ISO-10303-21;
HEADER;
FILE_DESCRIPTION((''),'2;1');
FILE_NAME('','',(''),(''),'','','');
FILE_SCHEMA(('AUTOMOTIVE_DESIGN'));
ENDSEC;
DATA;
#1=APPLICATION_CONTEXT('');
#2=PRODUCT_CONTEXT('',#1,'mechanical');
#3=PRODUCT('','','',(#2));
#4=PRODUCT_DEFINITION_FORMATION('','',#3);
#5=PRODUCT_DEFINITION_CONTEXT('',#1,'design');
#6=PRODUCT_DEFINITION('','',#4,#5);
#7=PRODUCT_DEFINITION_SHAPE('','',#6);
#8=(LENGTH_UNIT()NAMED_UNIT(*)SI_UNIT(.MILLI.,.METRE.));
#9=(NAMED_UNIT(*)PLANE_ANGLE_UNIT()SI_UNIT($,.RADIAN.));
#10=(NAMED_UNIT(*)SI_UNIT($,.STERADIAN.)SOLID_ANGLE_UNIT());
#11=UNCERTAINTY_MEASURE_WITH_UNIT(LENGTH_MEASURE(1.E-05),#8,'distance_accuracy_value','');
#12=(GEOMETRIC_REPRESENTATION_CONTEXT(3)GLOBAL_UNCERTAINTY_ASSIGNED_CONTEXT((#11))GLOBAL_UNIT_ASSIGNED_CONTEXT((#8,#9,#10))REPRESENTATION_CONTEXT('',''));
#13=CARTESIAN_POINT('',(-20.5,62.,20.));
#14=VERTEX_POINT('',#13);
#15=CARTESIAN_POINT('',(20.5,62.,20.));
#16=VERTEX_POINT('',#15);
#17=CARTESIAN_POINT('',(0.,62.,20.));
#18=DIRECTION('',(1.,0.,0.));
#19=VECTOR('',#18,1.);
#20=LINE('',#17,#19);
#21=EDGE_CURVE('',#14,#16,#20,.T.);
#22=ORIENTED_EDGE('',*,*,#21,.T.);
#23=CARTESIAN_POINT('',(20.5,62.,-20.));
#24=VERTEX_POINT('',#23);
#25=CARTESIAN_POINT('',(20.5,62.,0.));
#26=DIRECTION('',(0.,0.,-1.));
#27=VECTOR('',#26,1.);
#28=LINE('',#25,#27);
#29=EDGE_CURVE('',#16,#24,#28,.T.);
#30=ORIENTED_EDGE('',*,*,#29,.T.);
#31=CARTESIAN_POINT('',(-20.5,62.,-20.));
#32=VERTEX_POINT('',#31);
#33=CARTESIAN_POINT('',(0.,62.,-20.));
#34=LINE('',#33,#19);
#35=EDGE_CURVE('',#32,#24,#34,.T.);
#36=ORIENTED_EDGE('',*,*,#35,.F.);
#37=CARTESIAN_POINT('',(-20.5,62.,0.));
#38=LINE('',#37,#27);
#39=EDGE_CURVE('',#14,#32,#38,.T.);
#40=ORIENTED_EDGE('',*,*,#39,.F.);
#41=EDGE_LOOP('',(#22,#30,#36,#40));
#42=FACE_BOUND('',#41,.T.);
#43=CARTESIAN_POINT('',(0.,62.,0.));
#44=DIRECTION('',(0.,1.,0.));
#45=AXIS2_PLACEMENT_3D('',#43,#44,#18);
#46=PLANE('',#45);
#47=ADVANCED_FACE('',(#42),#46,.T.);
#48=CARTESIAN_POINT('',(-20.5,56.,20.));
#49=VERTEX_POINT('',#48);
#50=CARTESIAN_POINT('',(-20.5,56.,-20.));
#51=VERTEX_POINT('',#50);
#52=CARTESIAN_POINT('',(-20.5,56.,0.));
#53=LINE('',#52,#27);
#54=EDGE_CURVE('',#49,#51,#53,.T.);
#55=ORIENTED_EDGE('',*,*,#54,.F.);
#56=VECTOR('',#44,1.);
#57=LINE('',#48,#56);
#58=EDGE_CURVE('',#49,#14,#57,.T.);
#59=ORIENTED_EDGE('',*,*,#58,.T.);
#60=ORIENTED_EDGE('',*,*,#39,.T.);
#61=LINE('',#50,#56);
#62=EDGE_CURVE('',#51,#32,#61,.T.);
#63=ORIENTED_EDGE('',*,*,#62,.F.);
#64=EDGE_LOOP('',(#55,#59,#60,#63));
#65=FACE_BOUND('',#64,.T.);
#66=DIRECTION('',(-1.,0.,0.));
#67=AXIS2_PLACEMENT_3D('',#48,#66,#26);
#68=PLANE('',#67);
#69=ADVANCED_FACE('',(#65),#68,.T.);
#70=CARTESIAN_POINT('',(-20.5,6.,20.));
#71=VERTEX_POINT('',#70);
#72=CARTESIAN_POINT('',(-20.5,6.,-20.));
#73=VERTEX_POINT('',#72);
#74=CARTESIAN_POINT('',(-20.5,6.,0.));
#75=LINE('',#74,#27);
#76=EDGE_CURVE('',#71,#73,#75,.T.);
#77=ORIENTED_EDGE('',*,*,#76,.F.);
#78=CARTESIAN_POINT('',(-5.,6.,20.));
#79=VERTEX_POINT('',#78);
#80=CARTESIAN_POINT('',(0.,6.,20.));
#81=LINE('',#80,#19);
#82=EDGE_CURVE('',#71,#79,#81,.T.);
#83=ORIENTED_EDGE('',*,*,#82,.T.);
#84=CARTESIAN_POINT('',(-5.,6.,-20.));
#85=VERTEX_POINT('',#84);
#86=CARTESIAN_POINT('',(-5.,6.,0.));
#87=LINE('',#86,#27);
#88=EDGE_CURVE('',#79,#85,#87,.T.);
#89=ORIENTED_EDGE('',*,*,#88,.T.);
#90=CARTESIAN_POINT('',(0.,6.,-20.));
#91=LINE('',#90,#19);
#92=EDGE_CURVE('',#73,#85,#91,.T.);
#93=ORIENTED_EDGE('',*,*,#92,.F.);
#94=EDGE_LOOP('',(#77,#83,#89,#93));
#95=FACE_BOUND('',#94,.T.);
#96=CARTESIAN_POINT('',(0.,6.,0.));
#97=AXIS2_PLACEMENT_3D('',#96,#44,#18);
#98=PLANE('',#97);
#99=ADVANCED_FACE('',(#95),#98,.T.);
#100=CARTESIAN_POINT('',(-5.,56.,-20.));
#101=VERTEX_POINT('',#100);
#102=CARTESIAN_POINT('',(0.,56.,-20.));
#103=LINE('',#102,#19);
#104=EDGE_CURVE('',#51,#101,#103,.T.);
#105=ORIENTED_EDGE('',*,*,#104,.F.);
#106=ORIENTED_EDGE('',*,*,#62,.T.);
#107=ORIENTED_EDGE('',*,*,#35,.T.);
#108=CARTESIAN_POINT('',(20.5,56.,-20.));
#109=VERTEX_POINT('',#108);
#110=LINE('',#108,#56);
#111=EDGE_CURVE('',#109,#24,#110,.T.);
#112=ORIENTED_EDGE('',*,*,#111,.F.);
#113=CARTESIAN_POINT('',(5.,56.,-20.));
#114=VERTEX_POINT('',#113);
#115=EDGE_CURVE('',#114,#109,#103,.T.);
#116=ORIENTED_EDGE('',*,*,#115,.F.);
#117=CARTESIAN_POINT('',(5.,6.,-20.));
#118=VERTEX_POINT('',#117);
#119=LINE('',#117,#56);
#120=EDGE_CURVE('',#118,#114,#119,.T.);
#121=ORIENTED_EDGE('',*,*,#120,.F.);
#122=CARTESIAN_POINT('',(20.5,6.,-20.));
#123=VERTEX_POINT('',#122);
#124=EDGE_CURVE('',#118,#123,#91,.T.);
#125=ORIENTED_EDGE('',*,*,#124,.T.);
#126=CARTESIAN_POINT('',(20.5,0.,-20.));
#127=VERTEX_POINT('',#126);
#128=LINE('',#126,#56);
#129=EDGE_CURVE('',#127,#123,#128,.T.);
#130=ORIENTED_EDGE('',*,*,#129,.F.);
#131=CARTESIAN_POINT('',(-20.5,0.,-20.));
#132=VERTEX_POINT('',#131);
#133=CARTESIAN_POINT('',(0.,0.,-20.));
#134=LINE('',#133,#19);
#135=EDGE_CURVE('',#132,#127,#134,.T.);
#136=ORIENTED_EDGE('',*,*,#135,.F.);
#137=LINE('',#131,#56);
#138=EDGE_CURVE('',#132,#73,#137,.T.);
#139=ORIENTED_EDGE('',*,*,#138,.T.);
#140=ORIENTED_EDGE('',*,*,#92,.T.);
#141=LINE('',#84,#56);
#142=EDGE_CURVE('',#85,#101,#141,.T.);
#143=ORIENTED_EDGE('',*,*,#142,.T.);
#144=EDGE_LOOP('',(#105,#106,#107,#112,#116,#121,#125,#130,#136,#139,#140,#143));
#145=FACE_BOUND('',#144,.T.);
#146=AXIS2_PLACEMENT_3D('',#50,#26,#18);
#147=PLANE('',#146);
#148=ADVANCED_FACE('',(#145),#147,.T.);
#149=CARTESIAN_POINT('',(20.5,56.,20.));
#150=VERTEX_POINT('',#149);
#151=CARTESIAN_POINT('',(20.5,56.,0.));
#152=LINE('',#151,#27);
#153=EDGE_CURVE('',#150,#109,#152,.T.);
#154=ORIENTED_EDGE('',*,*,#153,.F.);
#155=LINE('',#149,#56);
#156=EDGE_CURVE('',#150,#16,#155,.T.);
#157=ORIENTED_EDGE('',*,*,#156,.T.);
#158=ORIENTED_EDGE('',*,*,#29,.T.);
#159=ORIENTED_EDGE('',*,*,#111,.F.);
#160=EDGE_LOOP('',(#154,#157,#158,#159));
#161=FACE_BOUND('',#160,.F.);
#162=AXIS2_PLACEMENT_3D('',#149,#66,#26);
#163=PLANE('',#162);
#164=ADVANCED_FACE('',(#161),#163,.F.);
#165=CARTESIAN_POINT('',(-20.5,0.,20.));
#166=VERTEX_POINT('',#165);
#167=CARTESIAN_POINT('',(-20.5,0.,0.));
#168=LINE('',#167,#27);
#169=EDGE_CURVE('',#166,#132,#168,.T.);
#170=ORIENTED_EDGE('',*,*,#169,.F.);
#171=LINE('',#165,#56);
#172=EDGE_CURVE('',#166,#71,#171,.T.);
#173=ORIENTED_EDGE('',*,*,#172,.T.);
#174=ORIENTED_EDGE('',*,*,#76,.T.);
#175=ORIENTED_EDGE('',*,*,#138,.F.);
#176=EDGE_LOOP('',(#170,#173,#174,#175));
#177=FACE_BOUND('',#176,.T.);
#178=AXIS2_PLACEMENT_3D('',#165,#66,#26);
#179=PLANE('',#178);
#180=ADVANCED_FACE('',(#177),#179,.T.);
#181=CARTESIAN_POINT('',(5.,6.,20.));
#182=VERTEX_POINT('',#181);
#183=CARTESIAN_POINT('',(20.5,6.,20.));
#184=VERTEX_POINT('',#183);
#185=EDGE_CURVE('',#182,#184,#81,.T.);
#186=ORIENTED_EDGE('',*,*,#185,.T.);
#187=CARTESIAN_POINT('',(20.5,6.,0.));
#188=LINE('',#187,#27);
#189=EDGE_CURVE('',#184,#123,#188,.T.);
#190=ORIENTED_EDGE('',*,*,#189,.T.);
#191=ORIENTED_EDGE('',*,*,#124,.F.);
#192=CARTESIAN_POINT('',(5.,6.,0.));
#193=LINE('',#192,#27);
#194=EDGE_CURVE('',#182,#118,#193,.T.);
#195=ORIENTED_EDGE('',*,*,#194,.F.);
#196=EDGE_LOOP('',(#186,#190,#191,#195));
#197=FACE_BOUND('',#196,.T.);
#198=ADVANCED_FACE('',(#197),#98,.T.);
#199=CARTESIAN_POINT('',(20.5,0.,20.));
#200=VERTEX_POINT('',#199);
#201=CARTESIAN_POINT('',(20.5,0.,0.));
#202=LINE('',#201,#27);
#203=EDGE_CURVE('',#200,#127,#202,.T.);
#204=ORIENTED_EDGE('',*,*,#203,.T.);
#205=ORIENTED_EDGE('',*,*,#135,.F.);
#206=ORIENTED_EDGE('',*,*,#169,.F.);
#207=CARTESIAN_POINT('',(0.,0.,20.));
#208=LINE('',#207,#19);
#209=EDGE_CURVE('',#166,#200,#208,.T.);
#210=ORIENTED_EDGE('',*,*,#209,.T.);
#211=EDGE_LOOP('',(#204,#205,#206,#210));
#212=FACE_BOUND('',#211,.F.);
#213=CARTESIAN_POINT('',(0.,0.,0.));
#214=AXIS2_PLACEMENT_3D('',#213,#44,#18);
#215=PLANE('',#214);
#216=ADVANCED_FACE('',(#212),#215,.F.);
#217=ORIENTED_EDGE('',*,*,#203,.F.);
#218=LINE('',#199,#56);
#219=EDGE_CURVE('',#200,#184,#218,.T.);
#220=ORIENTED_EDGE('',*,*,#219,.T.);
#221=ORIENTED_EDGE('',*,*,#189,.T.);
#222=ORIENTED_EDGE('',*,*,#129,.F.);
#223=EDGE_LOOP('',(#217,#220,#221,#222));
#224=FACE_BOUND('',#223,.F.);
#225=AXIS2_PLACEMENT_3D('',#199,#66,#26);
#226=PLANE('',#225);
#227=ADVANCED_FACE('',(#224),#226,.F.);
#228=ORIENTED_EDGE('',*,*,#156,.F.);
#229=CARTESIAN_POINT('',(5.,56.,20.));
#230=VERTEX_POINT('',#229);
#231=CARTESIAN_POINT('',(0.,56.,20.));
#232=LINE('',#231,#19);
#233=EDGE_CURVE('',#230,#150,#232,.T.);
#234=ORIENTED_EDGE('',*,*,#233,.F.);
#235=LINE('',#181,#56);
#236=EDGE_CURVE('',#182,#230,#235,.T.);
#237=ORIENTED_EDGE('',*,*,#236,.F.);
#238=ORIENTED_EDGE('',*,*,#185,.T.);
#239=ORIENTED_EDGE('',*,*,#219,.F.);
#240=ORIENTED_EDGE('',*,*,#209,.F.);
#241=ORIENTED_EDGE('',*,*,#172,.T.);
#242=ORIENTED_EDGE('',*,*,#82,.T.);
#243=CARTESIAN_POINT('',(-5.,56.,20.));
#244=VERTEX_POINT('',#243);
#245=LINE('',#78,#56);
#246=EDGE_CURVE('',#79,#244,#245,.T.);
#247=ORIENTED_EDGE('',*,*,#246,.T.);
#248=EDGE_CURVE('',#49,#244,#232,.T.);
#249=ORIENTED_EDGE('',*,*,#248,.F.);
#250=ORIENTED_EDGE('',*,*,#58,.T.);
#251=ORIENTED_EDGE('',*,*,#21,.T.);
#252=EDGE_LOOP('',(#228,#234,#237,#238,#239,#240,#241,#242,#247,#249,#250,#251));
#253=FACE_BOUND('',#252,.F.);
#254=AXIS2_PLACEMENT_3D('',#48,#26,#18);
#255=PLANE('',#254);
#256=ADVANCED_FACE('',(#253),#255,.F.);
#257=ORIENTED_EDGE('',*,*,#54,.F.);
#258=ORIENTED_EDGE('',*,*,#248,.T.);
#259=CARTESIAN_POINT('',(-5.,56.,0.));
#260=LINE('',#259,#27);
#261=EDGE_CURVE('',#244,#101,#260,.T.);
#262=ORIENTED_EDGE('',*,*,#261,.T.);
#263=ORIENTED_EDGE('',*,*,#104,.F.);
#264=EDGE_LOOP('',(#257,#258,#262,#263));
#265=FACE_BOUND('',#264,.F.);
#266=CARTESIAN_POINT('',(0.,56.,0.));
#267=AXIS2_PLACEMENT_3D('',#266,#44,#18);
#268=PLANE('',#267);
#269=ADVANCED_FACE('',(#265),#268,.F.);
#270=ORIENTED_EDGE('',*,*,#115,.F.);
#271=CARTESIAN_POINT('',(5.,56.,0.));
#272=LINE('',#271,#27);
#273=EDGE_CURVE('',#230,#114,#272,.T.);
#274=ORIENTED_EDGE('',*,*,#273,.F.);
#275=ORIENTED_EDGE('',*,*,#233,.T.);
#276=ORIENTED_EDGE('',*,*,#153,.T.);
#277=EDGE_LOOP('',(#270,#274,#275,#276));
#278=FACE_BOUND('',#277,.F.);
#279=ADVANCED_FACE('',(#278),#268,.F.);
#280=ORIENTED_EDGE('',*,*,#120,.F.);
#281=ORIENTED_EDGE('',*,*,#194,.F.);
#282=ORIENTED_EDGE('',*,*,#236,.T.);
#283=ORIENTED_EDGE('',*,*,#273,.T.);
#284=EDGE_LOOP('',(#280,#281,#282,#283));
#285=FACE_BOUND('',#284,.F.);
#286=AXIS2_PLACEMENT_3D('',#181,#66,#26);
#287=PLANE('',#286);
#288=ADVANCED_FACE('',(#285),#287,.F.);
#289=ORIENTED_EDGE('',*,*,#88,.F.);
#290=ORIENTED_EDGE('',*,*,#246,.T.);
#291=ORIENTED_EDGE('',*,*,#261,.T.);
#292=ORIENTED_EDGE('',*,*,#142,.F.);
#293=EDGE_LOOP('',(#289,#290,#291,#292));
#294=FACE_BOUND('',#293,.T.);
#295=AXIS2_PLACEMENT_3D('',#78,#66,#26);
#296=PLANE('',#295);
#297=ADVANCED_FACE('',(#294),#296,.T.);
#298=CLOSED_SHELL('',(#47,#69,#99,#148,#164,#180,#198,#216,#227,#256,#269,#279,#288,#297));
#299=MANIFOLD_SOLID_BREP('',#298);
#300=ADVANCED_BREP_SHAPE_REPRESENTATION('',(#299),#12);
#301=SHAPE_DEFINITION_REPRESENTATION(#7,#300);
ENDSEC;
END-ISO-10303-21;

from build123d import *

# Parameters (mm, degrees)
SKETCH_1_W      = 41
SKETCH_1_H      = 40
EXTRUDE_1_DEPTH = 6
SKETCH_2_W      = 10
SKETCH_2_H      = 40
EXTRUDE_2_DEPTH = 50
SKETCH_3_W      = 41
SKETCH_3_H      = 40
EXTRUDE_3_DEPTH = 6


with BuildPart() as part:
    # 草图1 → 凸台-拉伸1 (new body)
    with BuildSketch(Plane(origin=(0, 0, 0), x_dir=(1, 0, 0), z_dir=(0, 1, 0))):
        Rectangle(SKETCH_1_W, SKETCH_1_H)
    extrude(amount=EXTRUDE_1_DEPTH)

    # 草图2 → 凸台-拉伸2 (add)
    with BuildSketch(Plane(origin=(0, 6, 0), x_dir=(1, 0, 0), z_dir=(0, 1, 0))):
        Rectangle(SKETCH_2_W, SKETCH_2_H)
    extrude(amount=EXTRUDE_2_DEPTH)

    # 草图3 → 凸台-拉伸3 (add)
    with BuildSketch(Plane(origin=(0, 56, 0), x_dir=(1, 0, 0), z_dir=(0, 1, 0))):
        Rectangle(SKETCH_3_W, SKETCH_3_H)
    extrude(amount=EXTRUDE_3_DEPTH)


solid = part.part
